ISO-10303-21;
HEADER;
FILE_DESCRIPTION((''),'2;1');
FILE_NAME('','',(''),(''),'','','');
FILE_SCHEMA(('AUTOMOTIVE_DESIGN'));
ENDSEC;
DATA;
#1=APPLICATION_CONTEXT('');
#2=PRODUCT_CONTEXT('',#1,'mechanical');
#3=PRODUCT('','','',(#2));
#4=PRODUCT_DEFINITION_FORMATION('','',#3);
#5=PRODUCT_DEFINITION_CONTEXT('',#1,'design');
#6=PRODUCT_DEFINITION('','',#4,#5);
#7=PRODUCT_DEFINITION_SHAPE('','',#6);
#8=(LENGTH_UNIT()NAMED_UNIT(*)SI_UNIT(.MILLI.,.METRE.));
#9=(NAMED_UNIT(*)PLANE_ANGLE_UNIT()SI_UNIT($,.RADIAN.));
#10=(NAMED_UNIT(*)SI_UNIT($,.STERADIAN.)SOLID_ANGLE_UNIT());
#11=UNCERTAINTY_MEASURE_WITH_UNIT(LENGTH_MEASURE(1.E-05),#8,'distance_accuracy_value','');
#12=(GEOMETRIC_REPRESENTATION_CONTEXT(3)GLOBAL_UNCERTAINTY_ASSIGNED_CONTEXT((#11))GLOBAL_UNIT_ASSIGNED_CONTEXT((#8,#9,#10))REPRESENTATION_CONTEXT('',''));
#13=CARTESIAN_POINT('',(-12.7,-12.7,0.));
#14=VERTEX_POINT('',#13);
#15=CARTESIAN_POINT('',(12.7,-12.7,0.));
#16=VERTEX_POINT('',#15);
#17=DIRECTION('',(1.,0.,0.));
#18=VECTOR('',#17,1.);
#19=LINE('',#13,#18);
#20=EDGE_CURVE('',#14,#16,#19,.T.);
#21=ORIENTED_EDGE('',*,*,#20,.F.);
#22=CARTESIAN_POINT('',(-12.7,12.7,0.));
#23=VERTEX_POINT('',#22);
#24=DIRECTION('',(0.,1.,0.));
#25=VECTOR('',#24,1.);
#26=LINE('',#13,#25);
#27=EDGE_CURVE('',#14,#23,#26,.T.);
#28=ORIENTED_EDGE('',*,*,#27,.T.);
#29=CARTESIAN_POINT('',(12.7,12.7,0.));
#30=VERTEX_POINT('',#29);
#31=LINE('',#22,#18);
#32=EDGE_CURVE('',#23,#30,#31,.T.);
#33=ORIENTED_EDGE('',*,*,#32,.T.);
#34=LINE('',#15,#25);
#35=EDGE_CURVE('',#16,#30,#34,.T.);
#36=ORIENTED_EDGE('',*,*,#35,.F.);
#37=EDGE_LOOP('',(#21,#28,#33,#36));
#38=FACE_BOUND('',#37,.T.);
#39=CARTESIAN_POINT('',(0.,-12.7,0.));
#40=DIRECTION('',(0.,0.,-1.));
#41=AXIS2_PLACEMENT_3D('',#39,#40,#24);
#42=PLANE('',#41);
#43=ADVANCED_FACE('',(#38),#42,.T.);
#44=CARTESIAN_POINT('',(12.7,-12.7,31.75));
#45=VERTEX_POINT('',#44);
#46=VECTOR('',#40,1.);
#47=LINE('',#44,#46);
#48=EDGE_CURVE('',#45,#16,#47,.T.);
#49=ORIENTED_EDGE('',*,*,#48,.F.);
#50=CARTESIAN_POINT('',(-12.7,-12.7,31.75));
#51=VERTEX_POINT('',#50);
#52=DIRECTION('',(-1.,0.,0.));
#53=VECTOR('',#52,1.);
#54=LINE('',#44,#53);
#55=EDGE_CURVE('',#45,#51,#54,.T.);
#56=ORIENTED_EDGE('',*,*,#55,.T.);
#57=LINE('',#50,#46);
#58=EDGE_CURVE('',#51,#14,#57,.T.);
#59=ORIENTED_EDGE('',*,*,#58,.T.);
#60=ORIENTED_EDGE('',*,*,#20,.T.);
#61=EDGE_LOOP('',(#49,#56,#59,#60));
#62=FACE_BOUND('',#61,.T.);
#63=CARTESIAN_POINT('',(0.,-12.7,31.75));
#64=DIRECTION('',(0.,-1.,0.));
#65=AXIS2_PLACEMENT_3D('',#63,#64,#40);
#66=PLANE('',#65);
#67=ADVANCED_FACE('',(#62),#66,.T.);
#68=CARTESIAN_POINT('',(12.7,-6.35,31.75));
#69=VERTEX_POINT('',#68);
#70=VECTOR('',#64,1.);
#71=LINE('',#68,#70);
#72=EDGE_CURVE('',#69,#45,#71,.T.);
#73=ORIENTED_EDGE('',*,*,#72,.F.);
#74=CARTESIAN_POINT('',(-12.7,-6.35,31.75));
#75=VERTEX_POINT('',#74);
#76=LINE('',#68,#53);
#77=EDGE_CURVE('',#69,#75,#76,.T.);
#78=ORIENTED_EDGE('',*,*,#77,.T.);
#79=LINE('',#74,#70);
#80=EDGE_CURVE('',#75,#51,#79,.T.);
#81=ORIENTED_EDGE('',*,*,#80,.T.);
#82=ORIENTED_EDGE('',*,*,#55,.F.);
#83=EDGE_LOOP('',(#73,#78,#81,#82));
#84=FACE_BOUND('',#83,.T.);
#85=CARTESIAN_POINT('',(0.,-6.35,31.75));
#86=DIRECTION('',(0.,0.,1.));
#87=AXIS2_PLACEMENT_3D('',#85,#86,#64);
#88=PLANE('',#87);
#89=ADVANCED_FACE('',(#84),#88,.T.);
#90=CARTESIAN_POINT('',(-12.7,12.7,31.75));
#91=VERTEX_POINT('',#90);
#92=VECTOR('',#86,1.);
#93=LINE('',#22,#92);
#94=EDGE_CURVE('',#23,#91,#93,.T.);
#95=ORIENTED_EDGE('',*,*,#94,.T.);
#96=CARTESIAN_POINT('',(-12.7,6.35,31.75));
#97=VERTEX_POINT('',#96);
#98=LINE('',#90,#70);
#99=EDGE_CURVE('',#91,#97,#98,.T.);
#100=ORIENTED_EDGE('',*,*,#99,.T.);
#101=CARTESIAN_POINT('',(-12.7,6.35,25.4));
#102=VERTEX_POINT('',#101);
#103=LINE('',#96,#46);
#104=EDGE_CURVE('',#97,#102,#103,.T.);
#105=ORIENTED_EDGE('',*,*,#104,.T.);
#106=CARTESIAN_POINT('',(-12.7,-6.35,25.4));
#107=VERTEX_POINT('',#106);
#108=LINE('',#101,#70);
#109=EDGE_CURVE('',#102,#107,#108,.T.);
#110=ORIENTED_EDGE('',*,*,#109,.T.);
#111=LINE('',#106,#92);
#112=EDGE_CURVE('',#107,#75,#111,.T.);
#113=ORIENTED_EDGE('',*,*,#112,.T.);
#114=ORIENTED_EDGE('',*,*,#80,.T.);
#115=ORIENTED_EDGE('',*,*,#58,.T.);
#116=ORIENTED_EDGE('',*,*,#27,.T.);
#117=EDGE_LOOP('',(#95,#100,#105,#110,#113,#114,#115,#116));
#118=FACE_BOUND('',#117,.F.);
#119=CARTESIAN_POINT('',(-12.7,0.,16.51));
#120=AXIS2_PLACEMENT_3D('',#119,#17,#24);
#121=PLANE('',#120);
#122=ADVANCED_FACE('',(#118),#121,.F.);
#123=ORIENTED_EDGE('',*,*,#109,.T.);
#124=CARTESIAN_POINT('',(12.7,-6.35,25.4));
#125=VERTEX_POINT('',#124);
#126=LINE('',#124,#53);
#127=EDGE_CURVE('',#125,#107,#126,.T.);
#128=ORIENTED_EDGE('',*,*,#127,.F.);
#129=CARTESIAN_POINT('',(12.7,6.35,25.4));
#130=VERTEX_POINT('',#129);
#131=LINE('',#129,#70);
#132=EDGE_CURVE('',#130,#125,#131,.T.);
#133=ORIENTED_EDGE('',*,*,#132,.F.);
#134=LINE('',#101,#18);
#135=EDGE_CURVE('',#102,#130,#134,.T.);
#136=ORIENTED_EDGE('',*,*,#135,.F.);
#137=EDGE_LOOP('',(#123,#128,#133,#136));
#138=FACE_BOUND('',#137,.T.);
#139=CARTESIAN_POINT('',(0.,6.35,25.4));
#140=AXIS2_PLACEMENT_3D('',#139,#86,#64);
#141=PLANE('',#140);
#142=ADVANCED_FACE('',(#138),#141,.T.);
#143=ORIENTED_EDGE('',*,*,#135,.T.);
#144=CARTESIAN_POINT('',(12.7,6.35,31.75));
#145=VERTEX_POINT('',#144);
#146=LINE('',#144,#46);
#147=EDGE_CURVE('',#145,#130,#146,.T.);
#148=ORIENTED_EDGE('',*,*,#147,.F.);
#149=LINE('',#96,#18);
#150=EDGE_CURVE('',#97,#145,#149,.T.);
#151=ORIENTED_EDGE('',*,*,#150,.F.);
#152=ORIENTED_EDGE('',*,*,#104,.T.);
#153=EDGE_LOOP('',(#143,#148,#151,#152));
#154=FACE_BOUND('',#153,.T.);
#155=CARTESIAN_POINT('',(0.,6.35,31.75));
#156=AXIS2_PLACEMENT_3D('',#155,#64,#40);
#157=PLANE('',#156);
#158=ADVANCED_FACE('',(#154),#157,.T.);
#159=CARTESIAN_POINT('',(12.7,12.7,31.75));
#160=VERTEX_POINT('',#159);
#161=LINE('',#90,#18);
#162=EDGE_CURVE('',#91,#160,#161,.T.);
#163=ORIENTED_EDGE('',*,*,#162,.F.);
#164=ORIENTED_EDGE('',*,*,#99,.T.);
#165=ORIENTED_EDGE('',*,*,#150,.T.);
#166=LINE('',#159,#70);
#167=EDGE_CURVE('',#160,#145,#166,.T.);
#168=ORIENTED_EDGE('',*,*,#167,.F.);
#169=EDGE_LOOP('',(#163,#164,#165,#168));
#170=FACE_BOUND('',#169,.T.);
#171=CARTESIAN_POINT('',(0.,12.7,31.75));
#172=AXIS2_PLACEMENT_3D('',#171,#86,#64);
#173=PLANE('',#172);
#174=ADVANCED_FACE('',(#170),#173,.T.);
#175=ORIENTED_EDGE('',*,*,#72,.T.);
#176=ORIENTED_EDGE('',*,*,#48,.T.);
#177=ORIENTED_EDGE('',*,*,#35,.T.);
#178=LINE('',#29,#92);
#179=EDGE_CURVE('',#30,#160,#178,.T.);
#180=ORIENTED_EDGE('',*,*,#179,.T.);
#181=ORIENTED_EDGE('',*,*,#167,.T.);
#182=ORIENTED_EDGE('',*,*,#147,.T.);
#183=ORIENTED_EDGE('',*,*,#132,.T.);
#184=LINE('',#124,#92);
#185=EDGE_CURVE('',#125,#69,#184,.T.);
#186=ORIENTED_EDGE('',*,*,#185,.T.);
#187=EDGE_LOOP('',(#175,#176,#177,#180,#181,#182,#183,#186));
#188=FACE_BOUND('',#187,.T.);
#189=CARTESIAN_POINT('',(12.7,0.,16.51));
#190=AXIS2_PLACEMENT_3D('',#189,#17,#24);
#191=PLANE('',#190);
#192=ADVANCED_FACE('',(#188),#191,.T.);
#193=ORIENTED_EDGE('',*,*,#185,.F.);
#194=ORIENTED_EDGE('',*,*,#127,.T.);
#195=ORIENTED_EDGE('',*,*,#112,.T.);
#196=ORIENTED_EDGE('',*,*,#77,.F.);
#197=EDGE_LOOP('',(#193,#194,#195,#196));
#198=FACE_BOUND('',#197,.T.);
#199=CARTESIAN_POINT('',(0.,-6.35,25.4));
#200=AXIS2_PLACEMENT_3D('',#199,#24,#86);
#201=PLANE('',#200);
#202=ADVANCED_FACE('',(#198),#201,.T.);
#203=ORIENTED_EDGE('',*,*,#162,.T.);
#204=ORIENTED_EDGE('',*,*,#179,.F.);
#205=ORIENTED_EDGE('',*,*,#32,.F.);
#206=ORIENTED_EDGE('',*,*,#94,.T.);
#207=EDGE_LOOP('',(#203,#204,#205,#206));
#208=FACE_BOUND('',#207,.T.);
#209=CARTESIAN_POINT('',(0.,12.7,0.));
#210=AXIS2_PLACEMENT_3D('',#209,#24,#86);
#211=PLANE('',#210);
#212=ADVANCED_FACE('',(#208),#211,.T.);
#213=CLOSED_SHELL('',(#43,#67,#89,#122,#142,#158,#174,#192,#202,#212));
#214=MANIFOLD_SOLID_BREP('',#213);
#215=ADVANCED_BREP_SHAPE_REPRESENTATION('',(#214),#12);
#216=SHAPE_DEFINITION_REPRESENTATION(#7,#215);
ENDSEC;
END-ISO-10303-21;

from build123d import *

# Parameters (mm, degrees)
F2_DEPTH = 12.7
F3_DEPTH = 12.7


with BuildPart() as f2:
    # F0 (on Right) → F2 (new body)
    with BuildSketch(Plane.YZ):
        Polygon((-12.7, 31.75), (-12.7, 0), (12.7, 0), (12.7, 31.75), (6.35, 31.75), (6.35, 25.4), (-6.35, 25.4), (-6.35, 31.75), align=None)
    extrude(amount=F2_DEPTH)

    # F1 (on Right) → F3 (join)
    with BuildSketch(Plane.YZ):
        Polygon((-12.7, 31.75), (-12.7, 0), (12.7, 0), (12.7, 31.75), (6.35, 31.75), (6.35, 25.4), (-6.35, 25.4), (-6.35, 31.75), align=None)
    extrude(amount=-F3_DEPTH)


solid = f2.part
